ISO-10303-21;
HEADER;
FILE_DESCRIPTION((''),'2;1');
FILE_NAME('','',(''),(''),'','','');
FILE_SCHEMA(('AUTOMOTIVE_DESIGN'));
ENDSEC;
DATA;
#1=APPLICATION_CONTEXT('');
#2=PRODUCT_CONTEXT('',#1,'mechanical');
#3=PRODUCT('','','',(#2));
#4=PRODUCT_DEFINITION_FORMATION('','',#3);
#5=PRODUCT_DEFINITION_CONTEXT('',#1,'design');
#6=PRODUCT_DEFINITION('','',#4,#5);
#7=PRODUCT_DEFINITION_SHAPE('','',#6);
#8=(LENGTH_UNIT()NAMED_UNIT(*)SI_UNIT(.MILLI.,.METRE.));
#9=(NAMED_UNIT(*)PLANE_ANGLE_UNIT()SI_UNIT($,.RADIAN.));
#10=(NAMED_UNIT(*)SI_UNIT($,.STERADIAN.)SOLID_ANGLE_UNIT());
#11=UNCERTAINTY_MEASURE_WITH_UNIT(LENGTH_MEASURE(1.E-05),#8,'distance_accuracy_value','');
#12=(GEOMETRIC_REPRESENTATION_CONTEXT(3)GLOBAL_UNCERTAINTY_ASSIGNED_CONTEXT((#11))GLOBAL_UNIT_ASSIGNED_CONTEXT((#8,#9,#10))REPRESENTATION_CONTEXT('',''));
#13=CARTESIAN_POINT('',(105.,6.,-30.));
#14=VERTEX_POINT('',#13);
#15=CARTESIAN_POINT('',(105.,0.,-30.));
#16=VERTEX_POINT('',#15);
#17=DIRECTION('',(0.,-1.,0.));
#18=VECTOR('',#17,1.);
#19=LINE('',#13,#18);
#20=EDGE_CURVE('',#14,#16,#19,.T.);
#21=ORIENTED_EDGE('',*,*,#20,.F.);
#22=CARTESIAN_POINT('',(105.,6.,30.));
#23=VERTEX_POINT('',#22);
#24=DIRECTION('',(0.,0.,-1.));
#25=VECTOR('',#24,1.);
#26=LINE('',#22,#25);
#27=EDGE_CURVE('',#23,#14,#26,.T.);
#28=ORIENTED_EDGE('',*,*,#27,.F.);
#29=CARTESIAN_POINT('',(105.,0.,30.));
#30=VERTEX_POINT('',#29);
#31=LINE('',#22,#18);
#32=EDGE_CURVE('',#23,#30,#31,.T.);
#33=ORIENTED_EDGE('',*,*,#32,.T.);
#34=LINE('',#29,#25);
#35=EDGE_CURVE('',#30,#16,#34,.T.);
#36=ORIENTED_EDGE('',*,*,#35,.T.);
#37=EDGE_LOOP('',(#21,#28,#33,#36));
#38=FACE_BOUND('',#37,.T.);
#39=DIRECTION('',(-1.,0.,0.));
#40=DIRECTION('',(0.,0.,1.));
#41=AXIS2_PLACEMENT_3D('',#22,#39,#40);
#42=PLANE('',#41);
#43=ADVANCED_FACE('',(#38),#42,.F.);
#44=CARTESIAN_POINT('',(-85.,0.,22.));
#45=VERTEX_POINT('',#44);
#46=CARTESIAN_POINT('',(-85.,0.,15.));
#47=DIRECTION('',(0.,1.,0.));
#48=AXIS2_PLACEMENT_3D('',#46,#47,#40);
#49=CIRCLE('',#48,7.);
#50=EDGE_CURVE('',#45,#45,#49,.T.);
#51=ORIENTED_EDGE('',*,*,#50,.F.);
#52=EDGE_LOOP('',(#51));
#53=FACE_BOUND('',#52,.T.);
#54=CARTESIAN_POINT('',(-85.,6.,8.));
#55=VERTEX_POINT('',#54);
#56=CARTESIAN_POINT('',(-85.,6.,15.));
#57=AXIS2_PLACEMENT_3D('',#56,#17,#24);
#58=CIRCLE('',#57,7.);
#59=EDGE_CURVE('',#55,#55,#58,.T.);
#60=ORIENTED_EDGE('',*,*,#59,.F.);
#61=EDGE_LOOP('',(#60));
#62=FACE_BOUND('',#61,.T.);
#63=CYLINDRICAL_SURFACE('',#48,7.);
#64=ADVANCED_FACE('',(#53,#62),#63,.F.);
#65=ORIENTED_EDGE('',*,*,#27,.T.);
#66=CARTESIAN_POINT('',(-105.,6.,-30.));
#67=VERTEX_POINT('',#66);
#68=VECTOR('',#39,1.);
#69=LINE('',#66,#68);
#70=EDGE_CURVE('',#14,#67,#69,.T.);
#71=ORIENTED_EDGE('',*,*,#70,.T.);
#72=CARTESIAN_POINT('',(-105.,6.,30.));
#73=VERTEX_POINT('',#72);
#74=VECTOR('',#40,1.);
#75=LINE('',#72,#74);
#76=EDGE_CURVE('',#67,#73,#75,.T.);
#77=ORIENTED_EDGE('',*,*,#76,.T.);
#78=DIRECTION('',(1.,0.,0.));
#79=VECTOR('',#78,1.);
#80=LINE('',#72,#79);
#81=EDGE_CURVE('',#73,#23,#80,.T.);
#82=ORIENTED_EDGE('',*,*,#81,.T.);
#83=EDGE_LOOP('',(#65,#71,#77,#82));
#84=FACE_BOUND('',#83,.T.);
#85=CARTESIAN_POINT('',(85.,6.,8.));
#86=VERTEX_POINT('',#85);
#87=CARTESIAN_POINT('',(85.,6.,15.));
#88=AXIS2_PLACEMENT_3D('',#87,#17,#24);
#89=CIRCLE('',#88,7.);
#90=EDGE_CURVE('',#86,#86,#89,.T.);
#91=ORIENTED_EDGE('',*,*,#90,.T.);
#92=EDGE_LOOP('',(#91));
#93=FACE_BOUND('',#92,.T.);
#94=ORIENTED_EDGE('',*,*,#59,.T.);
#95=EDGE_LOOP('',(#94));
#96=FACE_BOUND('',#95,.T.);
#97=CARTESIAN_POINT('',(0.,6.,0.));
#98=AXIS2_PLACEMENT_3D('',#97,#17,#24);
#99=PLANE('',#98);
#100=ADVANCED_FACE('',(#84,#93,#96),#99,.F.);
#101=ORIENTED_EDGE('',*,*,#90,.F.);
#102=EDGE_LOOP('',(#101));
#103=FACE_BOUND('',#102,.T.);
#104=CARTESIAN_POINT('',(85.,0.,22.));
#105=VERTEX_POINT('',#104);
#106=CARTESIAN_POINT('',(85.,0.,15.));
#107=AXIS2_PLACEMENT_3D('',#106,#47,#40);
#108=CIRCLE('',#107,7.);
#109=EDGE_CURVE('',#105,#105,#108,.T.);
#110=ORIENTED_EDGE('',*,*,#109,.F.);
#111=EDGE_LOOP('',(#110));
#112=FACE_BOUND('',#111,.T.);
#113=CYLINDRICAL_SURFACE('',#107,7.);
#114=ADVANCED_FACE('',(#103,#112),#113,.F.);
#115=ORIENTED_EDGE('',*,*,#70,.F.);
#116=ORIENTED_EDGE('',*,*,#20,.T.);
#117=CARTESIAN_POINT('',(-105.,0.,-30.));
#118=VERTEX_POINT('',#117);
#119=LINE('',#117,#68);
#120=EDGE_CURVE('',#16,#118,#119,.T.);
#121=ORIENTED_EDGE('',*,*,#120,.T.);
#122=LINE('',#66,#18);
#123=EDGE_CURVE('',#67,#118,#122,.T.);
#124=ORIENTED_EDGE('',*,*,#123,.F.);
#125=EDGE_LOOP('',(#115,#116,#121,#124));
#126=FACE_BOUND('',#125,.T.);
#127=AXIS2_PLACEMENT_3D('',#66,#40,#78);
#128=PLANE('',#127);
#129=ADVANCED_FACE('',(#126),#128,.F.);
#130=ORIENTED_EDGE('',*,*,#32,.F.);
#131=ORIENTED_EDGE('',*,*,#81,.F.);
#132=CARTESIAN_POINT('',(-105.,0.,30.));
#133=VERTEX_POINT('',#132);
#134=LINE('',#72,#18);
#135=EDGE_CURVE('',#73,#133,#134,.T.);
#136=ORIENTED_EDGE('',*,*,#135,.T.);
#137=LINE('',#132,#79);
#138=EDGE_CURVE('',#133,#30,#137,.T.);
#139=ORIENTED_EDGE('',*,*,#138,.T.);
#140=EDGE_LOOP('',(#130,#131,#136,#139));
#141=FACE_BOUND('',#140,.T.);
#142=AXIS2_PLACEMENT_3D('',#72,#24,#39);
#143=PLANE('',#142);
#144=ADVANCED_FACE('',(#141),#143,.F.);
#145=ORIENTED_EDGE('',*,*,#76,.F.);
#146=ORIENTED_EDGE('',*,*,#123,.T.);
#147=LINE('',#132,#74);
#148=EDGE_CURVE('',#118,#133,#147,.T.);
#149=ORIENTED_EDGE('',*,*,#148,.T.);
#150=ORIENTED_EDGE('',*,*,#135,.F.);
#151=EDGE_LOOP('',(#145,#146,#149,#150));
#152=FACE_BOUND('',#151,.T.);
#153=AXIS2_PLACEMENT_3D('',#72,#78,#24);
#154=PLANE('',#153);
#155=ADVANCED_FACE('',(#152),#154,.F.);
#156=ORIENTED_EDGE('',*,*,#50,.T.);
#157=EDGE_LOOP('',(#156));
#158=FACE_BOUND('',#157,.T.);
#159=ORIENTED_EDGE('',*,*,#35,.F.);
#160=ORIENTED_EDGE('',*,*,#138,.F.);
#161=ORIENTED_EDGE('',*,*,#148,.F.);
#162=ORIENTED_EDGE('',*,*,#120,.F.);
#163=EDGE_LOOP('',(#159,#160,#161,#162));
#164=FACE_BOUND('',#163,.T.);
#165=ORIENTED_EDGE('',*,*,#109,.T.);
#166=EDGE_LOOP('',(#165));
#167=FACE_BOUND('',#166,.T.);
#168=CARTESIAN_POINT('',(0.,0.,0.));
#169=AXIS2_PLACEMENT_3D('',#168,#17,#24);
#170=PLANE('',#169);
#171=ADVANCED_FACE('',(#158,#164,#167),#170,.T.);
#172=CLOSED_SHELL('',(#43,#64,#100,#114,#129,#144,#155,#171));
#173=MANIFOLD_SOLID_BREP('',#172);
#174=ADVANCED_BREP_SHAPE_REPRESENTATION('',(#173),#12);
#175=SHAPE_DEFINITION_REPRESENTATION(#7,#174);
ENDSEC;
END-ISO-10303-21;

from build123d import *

# Parameters (mm, degrees)
SKETCH1_W               = 210
SKETCH1_H               = 60
BOSS_EXTRUDE1_DEPTH     = 6
CUT_EXTRUDE1_DEPTH      = 110.366356801
CUT_EXTRUDE1_DEPTH_BACK = 110.366356801
SKETCH2_R               = 7


with BuildPart() as part:
    # Sketch1 → Boss-Extrude1 (new body)
    with BuildSketch(Plane(origin=(0, 0, 0), x_dir=(1, 0, 0), z_dir=(0, 1, 0))):
        Rectangle(SKETCH1_W, SKETCH1_H)
    extrude(amount=BOSS_EXTRUDE1_DEPTH)

    # Sketch2 → Cut-Extrude1 (cut, two sides: drawn at the far end of the back side and taken through both)
    with BuildSketch(Plane(origin=(0, 6, 0), x_dir=(1, 0, 0), z_dir=(0, 1, 0)).offset(-CUT_EXTRUDE1_DEPTH_BACK)):
        with Locations(Location((85, -15, 0), (0, 0, 270))):
            Circle(SKETCH2_R)
        with Locations(Location((-85, -15, 0), (0, 0, 270))):
            Circle(SKETCH2_R)
    extrude(amount=CUT_EXTRUDE1_DEPTH + CUT_EXTRUDE1_DEPTH_BACK, mode=Mode.SUBTRACT)


solid = part.part
